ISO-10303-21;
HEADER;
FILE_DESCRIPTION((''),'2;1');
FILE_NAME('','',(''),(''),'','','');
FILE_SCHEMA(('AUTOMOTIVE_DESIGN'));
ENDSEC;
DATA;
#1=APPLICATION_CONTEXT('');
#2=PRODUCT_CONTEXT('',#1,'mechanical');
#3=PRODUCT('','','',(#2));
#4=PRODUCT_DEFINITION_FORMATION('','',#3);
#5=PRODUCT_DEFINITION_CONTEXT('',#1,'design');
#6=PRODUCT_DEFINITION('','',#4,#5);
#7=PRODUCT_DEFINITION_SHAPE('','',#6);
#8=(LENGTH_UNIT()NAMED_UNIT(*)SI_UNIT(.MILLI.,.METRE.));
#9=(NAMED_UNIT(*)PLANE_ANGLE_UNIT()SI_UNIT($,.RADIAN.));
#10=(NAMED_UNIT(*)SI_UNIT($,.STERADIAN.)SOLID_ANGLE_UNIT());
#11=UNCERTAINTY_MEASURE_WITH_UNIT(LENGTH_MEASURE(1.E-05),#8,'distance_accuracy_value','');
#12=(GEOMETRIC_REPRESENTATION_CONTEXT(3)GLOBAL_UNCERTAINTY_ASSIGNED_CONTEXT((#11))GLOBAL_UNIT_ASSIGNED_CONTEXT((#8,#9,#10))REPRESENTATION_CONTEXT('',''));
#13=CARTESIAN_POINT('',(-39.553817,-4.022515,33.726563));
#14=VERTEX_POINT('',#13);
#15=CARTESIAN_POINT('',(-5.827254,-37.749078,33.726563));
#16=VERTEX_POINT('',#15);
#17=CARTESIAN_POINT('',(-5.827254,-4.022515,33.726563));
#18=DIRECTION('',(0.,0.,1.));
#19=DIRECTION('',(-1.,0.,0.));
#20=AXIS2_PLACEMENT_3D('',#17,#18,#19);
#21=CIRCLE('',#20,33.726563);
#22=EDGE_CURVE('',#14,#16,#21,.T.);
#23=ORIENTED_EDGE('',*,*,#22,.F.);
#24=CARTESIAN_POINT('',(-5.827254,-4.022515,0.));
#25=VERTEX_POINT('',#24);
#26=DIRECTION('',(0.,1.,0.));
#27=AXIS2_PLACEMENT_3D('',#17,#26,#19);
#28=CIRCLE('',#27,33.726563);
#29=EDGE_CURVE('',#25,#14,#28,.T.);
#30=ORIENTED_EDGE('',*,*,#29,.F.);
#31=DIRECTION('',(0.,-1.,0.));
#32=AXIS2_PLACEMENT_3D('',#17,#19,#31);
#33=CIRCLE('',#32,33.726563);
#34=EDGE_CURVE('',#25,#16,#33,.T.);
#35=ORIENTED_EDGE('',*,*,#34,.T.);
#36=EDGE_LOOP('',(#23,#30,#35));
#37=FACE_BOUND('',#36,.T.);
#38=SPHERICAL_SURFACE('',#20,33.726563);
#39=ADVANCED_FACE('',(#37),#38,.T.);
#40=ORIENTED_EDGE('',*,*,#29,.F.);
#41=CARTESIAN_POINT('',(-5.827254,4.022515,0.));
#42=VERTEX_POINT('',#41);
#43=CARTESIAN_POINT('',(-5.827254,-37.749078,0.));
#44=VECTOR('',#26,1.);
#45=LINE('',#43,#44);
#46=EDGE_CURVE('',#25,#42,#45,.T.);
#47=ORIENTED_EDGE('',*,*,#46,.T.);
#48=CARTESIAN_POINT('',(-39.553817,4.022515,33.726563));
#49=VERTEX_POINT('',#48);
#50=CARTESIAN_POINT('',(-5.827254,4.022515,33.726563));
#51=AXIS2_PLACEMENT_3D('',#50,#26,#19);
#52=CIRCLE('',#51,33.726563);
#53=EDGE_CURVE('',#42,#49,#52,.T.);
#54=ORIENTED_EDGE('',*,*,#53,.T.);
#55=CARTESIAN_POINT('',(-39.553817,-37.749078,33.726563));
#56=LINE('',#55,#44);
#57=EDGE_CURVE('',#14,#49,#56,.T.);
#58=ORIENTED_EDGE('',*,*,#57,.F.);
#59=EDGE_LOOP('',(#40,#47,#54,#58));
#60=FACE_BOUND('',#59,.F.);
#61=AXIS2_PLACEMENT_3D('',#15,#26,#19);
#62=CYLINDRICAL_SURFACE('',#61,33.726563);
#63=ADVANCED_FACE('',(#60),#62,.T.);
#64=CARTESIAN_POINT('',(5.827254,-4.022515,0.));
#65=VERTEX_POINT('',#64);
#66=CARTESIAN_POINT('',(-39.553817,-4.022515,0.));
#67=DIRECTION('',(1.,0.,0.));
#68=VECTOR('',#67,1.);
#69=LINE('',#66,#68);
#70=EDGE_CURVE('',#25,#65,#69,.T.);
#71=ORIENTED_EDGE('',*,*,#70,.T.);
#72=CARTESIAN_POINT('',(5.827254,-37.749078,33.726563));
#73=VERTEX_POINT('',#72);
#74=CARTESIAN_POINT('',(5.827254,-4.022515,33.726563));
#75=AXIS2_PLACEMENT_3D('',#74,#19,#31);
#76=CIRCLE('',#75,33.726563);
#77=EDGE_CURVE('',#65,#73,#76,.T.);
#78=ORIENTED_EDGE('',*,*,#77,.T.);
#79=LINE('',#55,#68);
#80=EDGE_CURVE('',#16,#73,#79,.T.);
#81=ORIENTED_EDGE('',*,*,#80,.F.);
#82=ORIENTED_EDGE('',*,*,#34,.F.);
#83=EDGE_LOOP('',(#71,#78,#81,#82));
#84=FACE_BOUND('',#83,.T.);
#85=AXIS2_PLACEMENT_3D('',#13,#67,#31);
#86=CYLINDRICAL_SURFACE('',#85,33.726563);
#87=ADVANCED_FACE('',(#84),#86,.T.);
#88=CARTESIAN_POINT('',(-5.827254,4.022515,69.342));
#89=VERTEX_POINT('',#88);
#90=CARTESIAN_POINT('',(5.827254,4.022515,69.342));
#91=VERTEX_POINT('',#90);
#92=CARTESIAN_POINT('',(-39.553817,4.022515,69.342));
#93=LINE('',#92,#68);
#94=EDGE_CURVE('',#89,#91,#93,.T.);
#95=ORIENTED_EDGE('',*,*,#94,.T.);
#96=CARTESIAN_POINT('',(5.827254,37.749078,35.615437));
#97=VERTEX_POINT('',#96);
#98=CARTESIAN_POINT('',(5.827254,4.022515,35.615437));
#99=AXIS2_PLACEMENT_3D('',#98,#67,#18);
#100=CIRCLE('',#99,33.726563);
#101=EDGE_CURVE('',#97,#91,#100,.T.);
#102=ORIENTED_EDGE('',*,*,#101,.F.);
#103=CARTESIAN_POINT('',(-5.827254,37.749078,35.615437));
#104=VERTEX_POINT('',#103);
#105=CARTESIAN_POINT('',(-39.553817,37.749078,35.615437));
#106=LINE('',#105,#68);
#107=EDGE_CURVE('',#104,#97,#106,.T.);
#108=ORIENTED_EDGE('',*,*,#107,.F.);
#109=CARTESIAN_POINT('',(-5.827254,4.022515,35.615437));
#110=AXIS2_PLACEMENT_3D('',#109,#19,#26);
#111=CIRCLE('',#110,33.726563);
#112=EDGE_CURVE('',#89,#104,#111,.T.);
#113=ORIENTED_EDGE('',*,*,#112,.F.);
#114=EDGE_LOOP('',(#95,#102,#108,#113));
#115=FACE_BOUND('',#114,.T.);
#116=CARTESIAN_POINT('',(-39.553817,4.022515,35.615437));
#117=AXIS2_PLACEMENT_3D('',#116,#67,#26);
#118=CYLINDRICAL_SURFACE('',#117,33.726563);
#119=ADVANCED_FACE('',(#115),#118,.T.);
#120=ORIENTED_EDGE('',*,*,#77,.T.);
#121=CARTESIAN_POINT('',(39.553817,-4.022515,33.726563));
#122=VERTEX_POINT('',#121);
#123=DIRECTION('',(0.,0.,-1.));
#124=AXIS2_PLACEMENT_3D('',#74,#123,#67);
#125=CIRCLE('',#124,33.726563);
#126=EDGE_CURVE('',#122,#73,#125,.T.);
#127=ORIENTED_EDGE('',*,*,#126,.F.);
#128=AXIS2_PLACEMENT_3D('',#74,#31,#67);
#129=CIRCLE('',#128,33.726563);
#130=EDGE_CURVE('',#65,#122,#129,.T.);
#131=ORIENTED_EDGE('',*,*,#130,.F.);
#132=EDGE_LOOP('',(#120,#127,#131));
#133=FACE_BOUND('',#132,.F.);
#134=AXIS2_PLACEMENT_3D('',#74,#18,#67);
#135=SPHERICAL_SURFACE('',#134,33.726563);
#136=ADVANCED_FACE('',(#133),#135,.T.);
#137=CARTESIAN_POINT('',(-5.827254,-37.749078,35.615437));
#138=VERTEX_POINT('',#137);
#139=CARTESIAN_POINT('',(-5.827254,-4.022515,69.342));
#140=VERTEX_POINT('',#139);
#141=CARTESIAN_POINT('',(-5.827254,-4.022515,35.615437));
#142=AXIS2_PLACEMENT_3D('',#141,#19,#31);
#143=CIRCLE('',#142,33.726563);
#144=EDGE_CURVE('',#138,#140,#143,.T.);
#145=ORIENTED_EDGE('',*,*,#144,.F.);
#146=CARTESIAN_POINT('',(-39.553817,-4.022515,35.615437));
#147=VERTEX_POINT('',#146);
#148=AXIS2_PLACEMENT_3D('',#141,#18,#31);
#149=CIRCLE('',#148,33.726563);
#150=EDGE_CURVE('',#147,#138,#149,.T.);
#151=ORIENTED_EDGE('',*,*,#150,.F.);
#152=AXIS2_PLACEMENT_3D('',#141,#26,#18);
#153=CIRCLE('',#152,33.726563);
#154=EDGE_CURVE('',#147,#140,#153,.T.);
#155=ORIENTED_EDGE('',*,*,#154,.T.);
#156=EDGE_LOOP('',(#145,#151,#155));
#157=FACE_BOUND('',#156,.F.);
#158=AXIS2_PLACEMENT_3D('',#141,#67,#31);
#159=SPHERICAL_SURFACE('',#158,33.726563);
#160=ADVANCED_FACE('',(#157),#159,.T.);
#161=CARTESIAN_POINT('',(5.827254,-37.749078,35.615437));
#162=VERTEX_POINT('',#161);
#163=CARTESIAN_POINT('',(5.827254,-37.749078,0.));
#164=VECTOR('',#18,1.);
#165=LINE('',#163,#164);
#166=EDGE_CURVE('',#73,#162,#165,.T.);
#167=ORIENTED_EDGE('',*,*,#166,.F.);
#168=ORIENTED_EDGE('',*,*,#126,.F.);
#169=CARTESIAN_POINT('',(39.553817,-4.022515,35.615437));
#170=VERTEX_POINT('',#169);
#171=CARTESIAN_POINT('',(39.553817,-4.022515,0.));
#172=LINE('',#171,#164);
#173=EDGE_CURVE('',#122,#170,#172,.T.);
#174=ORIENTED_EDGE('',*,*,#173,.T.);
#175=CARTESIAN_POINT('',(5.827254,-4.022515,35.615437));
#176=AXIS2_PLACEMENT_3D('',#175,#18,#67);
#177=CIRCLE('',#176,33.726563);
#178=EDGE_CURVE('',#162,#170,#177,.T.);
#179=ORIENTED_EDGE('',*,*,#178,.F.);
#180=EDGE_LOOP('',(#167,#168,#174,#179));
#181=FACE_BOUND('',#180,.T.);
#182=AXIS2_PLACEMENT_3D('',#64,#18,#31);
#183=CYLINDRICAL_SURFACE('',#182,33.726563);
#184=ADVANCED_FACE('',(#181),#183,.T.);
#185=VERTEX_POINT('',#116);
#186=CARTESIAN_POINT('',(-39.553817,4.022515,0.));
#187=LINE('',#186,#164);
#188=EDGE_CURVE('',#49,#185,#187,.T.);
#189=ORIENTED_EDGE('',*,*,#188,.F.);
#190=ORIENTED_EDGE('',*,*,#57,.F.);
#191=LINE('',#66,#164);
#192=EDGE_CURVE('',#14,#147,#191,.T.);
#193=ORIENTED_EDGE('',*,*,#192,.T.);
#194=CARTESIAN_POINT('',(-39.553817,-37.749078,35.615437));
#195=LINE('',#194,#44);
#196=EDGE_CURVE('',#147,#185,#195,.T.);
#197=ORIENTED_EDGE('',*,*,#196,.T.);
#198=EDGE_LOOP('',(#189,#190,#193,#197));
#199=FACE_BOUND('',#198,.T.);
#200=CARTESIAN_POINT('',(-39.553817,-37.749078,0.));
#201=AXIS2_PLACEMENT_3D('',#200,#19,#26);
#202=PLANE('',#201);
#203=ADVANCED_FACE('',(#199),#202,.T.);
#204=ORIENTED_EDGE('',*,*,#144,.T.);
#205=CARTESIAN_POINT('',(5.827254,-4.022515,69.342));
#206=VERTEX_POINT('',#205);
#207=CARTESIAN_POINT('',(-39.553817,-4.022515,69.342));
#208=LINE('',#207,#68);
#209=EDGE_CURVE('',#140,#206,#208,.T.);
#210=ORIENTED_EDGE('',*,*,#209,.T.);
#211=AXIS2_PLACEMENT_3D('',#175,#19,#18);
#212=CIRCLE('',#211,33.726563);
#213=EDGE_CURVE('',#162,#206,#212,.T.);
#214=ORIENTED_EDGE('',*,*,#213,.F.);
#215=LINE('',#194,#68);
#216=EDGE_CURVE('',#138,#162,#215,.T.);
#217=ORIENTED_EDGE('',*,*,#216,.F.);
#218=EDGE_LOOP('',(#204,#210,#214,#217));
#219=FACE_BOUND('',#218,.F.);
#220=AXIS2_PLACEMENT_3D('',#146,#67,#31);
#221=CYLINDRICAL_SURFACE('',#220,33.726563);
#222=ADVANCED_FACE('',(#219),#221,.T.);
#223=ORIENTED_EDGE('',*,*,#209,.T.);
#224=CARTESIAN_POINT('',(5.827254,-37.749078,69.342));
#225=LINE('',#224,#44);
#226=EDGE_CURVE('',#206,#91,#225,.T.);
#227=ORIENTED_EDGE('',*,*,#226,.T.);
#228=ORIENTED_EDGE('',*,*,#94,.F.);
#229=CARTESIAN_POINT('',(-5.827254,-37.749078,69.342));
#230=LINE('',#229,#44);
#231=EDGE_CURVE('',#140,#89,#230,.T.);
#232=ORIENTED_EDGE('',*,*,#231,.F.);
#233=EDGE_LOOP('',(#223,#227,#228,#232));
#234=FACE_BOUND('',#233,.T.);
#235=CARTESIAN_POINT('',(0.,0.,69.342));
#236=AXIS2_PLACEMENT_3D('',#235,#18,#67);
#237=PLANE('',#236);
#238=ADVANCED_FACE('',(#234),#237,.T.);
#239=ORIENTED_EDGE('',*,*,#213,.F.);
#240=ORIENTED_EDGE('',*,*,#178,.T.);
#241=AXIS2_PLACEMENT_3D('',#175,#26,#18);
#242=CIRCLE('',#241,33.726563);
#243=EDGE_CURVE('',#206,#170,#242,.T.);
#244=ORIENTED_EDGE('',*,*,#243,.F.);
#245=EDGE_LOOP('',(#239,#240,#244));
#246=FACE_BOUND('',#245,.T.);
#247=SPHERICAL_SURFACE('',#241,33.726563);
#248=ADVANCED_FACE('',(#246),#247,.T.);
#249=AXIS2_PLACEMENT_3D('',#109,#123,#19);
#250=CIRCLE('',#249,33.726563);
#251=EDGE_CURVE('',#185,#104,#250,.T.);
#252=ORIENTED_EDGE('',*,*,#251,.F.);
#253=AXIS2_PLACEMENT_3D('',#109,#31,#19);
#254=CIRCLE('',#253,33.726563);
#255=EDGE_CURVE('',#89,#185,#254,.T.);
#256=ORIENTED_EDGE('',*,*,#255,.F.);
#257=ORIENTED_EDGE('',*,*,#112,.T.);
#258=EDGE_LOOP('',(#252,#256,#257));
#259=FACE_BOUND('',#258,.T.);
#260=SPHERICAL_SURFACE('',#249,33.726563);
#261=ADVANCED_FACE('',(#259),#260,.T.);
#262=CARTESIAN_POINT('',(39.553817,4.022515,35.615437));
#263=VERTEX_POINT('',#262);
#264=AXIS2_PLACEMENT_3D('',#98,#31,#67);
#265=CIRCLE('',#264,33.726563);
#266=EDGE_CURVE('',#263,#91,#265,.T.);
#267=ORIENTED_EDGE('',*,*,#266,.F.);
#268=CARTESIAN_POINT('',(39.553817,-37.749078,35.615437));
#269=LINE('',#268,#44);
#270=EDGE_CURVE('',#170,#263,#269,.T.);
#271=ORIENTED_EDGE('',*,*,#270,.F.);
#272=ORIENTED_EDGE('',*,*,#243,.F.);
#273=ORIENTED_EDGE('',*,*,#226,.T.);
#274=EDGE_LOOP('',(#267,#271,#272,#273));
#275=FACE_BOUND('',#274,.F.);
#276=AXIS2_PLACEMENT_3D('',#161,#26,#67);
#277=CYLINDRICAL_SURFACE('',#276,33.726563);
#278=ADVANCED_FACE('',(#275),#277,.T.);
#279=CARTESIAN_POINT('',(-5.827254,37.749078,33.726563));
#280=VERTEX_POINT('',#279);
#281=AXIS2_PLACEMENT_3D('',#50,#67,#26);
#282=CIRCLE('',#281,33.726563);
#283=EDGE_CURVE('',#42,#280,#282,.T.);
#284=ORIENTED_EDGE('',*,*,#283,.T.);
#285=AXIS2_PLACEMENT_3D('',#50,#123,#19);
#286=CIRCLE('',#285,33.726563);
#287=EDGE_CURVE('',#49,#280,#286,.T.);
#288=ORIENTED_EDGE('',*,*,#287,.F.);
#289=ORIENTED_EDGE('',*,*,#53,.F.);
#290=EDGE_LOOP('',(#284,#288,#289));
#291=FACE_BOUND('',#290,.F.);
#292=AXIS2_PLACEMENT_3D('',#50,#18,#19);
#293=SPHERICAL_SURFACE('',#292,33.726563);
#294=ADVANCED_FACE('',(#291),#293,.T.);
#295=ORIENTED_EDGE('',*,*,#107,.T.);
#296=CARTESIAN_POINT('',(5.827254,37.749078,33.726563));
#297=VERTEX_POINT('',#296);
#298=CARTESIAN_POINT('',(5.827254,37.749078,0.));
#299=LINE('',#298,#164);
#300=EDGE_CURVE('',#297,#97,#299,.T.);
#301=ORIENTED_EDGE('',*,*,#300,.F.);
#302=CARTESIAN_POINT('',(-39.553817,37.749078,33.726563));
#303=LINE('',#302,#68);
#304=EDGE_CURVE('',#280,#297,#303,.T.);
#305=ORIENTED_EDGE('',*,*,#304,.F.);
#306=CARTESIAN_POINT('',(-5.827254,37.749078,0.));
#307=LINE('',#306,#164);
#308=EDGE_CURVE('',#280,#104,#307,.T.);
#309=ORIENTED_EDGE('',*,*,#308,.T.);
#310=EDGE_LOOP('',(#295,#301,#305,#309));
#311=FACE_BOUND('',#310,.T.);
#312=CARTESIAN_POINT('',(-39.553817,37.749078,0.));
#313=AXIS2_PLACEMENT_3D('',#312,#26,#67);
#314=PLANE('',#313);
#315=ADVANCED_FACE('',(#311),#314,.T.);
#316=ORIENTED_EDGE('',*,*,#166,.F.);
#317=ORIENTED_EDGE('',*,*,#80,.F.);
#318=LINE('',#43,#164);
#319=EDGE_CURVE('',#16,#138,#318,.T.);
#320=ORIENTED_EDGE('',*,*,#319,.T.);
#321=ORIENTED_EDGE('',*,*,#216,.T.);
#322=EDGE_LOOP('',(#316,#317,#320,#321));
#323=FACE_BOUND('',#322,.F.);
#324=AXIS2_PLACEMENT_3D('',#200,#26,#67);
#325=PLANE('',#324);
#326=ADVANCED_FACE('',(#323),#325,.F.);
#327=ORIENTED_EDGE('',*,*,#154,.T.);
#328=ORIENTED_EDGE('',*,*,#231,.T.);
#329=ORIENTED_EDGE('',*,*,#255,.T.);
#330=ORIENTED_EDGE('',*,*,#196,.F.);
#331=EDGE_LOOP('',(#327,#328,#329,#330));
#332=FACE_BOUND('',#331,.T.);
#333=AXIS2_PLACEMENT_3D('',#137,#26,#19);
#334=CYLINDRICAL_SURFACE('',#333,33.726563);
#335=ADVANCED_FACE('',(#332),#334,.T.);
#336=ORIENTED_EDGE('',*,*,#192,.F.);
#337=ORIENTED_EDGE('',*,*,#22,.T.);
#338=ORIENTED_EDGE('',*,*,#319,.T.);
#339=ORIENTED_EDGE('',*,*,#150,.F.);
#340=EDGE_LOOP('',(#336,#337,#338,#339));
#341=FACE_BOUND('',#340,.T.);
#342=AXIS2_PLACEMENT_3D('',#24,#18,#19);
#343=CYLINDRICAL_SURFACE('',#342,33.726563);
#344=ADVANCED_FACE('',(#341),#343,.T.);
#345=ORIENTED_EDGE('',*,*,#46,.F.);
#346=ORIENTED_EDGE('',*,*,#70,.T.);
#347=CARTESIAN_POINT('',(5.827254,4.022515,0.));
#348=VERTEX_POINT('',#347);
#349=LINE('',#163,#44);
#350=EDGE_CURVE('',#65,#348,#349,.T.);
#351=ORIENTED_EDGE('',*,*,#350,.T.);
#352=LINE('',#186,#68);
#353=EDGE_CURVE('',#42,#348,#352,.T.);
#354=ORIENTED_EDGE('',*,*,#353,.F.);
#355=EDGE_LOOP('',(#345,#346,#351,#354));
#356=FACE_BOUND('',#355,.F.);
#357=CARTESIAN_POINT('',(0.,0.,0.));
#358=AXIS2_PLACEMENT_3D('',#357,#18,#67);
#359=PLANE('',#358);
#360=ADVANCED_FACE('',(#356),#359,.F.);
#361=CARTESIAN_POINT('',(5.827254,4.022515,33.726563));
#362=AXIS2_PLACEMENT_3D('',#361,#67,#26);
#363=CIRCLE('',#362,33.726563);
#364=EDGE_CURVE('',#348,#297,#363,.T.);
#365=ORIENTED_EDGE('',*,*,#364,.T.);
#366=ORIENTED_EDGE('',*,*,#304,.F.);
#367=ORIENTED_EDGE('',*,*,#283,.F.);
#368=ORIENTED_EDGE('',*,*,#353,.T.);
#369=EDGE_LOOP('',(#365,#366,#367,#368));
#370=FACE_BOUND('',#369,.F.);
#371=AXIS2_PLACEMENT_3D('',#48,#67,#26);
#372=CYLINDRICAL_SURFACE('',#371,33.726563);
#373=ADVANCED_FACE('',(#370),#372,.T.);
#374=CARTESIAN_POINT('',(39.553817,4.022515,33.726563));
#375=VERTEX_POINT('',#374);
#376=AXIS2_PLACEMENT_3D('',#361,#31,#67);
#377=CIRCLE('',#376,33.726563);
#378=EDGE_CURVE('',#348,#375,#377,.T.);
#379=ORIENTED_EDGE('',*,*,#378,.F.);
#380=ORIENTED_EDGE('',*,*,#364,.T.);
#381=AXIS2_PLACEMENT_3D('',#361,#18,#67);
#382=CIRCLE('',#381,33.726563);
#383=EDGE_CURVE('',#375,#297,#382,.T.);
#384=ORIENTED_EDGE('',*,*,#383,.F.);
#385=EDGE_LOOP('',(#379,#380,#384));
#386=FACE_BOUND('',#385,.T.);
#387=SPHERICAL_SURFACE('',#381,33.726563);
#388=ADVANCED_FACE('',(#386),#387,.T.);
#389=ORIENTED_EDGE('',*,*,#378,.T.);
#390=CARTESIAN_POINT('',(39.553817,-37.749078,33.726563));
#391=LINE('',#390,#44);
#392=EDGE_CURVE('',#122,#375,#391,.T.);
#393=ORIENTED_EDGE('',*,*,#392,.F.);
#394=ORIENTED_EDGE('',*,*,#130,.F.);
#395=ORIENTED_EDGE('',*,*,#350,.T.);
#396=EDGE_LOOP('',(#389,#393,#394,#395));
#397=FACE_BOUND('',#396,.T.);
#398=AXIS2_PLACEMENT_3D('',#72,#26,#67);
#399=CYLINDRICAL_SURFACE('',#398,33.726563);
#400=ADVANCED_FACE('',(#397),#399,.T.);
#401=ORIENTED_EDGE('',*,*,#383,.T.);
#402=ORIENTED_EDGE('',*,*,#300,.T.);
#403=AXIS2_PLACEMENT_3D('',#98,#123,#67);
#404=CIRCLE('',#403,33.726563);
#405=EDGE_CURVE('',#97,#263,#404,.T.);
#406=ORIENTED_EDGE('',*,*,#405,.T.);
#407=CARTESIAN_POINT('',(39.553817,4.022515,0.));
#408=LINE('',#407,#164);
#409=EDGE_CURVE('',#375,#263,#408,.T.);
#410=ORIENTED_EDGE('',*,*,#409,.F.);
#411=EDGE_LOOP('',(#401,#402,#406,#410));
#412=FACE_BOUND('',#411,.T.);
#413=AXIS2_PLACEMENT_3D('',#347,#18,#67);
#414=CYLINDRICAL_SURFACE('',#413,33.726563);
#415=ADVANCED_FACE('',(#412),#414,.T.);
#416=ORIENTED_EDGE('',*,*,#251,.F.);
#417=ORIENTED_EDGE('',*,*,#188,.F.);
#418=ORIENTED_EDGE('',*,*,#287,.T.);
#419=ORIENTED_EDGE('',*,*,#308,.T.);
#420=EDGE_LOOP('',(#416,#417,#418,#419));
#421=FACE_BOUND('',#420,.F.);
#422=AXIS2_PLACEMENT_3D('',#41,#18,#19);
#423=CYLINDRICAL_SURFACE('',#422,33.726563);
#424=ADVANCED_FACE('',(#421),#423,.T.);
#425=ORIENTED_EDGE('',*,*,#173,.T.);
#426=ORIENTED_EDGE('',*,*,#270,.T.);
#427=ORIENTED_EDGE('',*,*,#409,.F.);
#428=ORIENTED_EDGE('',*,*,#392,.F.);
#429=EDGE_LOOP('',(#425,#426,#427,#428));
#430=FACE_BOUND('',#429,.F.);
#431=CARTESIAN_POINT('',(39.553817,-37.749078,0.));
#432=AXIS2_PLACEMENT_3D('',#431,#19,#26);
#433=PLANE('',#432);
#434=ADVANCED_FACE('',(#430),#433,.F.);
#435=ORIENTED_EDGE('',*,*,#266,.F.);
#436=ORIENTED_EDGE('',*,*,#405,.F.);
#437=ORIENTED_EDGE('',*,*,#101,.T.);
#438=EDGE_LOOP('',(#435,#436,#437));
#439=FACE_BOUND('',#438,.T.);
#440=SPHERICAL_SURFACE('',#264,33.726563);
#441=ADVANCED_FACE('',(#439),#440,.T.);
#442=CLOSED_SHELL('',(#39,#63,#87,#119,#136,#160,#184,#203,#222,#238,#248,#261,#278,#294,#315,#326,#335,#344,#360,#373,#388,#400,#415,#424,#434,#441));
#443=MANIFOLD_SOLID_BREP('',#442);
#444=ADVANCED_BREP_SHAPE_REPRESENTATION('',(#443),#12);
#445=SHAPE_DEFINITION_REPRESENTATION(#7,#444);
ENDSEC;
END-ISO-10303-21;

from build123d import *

# Parameters (mm, degrees)
F0_W     = 79.107634
F0_H     = 75.498156
F0_R     = 17.852052
F1_DEPTH = 69.342
F2_R     = 33.726563


with BuildPart() as f1:
    # F0 (on Top) → F1 (new body)
    with BuildSketch(Plane.XY):
        Rectangle(F0_W, F0_H)
        Circle(F0_R, mode=Mode.SUBTRACT)
        Circle(F0_R)
    extrude(amount=F1_DEPTH)

    # F2
    f2_edges = [f1.edges().sort_by_distance(p)[0] for p in [
        (39.553817, 0, 69.342),
        (0, -37.749078, 69.342),
        (-39.553817, 37.749078, 34.671),
        (-39.553817, -37.749078, 34.671),
        (-39.553817, 0, 0),
        (-39.553817, 0, 69.342),
        (39.553817, -37.749078, 34.671),
        (39.553817, 37.749078, 34.671),
        (39.553817, 0, 0),
        (0, -37.749078, 0),
        (0, 37.749078, 0),
        (0, 37.749078, 69.342),
    ]]
    fillet(f2_edges, radius=F2_R)


solid = f1.part
